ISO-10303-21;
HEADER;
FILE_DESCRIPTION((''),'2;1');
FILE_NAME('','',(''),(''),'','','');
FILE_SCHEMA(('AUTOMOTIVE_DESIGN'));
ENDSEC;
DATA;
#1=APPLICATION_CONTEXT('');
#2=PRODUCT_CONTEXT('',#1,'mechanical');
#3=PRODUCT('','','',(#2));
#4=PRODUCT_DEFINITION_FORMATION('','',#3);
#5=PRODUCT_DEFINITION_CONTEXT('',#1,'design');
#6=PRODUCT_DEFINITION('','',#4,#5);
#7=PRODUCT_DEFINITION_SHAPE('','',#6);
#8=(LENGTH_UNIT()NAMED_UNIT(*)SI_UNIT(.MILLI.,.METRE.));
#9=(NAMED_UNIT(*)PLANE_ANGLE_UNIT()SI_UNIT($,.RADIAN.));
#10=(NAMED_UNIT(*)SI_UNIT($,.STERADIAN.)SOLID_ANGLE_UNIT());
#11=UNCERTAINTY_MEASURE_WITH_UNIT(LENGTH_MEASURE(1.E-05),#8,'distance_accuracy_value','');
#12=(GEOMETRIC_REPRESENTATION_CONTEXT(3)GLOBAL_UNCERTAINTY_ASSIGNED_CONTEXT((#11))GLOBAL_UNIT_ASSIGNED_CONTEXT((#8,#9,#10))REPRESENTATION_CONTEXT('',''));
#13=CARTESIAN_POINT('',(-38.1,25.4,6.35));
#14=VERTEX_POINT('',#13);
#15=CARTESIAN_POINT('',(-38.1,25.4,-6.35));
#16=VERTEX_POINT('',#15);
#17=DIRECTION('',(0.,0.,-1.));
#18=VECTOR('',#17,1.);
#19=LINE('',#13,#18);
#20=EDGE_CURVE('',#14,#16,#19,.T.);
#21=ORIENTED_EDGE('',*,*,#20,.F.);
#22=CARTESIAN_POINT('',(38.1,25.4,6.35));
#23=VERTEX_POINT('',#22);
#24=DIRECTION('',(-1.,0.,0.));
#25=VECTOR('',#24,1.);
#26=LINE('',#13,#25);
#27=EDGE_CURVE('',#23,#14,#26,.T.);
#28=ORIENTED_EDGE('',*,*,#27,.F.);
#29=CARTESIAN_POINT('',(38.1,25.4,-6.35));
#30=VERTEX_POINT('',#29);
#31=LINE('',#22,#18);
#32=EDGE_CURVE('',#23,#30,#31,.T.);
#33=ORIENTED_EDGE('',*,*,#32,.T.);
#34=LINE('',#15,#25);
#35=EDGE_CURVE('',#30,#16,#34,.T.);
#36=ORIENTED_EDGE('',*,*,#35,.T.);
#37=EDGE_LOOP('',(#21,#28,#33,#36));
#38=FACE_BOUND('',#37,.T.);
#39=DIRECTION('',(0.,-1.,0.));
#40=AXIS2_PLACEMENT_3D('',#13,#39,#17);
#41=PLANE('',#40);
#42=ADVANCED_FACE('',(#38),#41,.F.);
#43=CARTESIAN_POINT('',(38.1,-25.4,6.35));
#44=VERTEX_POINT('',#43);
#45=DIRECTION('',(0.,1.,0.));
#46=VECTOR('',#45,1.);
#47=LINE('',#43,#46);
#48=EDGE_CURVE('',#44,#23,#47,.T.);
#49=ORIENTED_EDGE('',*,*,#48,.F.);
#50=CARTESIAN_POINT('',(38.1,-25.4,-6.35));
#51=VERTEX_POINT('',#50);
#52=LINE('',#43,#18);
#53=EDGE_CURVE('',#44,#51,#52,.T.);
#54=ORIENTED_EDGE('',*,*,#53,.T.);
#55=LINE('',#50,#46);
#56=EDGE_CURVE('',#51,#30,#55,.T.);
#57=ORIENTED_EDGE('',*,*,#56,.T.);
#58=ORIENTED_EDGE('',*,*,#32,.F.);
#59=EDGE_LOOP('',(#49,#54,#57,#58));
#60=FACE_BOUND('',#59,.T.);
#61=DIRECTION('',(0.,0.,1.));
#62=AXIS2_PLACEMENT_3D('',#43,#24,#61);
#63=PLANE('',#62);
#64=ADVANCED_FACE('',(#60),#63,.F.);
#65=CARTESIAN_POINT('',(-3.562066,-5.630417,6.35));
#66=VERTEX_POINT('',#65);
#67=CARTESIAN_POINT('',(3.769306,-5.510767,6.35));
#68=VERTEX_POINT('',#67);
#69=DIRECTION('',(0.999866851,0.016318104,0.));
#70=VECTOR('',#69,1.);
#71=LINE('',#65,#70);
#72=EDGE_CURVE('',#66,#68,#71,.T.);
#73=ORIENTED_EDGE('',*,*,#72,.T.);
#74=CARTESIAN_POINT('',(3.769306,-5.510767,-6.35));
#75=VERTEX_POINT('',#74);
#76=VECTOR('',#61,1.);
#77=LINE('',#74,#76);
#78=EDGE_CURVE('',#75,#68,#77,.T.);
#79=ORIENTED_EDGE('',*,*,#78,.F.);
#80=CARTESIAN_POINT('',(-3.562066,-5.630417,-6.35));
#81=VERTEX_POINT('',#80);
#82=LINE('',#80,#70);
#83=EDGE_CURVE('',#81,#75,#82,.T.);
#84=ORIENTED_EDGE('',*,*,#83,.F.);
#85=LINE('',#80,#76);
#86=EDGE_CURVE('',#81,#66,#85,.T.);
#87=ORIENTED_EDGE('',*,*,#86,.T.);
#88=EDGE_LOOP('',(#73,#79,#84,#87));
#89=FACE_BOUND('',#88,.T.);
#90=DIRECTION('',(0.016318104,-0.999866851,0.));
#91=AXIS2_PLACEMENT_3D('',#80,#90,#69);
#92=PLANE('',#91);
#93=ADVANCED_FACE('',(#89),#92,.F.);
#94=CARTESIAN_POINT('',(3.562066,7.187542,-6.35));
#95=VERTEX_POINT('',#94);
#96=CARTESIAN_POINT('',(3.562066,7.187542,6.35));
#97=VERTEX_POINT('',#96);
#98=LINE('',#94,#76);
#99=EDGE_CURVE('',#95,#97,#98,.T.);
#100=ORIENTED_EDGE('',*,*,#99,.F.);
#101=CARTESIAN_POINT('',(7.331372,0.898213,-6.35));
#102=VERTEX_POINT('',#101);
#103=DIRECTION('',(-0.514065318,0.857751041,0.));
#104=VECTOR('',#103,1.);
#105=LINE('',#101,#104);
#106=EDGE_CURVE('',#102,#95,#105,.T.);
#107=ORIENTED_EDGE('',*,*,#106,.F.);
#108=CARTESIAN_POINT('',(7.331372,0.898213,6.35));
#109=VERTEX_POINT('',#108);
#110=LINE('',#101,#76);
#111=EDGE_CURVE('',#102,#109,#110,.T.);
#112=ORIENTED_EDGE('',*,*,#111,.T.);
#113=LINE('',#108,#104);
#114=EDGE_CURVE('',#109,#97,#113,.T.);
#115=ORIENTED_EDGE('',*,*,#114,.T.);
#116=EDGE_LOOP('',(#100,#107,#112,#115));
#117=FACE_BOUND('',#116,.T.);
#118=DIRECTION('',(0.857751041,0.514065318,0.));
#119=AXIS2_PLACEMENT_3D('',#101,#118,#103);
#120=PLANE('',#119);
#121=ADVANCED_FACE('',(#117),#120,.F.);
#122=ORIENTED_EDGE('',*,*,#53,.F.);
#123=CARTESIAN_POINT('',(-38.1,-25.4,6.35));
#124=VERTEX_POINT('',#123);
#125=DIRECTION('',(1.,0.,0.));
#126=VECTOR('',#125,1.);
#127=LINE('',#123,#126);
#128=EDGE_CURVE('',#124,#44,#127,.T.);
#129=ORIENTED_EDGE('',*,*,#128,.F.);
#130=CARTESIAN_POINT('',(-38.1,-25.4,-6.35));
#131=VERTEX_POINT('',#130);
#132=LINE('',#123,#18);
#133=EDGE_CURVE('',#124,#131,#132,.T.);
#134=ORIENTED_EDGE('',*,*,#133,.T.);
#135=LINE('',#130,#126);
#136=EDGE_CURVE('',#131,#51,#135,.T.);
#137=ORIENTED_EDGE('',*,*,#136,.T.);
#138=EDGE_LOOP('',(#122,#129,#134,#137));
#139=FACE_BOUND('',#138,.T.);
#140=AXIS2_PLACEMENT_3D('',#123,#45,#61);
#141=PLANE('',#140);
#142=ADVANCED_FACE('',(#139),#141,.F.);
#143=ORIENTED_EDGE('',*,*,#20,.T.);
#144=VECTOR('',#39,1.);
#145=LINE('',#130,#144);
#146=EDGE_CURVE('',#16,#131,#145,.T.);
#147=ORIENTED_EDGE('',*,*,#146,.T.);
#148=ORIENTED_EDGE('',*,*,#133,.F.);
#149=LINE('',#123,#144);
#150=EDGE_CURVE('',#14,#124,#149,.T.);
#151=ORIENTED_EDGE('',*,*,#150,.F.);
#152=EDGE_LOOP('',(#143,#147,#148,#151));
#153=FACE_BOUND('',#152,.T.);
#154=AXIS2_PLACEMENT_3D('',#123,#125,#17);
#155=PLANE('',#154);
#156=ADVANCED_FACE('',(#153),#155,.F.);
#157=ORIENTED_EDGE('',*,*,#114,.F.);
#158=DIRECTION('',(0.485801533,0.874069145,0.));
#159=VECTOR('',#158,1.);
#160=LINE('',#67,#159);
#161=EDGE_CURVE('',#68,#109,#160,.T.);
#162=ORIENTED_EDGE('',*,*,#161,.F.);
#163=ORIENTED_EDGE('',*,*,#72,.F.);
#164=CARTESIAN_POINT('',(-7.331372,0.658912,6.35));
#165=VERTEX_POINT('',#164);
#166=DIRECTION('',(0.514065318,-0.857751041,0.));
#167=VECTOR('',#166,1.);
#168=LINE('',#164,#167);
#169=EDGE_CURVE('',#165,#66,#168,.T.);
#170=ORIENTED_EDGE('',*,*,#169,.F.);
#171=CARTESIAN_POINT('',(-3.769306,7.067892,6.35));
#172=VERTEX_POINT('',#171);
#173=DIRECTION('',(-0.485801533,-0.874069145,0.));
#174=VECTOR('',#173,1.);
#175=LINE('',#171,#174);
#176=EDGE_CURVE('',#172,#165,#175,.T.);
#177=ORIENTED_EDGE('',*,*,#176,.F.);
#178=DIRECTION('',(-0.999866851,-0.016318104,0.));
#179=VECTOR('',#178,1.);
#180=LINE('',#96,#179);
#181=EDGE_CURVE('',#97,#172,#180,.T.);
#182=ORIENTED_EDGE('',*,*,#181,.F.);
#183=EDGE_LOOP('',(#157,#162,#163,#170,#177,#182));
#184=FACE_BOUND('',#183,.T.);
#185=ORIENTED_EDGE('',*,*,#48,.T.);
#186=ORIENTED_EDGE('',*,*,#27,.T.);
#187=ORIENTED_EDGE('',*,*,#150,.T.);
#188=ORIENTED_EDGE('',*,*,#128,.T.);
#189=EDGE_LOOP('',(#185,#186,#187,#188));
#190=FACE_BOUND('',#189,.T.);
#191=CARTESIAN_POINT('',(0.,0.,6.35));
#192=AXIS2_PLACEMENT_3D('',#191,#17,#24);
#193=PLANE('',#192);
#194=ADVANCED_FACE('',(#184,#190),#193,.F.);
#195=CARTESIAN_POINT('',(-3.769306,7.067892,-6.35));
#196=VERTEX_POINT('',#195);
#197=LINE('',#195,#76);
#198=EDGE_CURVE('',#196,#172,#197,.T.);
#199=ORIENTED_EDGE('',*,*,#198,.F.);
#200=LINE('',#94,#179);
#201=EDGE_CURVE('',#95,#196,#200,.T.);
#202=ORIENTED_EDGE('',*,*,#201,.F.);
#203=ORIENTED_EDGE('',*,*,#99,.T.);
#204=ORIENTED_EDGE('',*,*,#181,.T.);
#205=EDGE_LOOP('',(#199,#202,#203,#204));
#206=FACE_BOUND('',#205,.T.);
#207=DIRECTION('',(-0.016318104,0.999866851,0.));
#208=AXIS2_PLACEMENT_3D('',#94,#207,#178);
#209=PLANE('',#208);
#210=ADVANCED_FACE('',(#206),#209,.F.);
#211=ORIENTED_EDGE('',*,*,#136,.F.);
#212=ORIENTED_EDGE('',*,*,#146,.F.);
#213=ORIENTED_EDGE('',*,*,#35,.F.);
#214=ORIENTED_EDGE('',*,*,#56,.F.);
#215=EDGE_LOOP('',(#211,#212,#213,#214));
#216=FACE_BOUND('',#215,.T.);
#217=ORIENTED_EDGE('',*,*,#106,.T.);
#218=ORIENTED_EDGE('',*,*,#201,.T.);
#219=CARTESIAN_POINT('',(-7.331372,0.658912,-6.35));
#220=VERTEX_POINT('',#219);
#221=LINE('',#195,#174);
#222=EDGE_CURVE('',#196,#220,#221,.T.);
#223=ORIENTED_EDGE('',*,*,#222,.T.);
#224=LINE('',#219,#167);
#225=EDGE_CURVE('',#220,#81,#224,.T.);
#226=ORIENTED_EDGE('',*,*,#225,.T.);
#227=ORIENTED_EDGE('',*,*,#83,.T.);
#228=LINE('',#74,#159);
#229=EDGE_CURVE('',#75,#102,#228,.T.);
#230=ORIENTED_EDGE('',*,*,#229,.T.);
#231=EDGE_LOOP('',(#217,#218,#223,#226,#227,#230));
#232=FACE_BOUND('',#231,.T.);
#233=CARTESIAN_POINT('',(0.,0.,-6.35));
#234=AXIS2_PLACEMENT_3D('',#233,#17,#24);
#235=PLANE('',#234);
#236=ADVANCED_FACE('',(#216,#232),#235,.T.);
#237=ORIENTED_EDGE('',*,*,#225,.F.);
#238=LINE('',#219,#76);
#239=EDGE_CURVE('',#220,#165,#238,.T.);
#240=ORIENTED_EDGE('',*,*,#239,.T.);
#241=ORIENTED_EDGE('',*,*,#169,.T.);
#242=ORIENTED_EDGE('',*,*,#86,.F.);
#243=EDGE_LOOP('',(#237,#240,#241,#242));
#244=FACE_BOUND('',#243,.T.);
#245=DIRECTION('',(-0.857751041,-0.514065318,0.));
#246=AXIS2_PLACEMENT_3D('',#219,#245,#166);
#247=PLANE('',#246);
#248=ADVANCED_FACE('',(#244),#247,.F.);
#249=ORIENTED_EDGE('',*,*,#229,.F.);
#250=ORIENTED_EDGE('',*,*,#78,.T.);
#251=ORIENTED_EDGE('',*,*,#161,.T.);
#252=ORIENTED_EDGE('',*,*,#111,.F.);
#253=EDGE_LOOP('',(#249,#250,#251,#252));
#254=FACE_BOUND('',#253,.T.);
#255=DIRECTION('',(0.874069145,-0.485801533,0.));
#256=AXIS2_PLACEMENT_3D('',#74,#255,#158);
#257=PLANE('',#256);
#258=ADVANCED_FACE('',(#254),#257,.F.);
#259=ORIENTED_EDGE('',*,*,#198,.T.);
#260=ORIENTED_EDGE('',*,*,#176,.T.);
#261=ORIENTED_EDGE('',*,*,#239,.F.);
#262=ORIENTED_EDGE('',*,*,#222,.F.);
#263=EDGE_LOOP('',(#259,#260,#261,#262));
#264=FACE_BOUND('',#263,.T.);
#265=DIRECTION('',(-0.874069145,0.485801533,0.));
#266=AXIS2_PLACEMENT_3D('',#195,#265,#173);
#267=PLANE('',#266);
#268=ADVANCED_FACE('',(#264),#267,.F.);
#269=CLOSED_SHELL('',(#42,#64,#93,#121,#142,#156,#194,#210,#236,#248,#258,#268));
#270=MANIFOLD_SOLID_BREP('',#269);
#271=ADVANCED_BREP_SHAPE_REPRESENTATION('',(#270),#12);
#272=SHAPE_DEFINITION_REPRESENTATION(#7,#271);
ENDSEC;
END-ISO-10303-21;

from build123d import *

# Parameters (mm, degrees)
SKETCH1_W           = 76.2
SKETCH1_H           = 50.8
BOSS_EXTRUDE1_DEPTH = 6.35
CUT_EXTRUDE1_DEPTH  = 13.7


with BuildPart() as part:
    # Sketch1 → Boss-Extrude1 (new body, symmetric)
    with BuildSketch(Plane.XY):
        Rectangle(SKETCH1_W, SKETCH1_H)
    extrude(amount=BOSS_EXTRUDE1_DEPTH, both=True)

    # Sketch3 → Cut-Extrude1 (cut, through all)
    with BuildSketch(Plane.XY.offset(6.35)):
        Polygon((-3.5620661, -5.630417032), (3.769306023, -5.510767006), (7.331372123, 0.89821251), (3.5620661, 7.187542), (-3.769306023, 7.067891975), (-7.331372123, 0.658912459), align=None)
    extrude(amount=-CUT_EXTRUDE1_DEPTH, mode=Mode.SUBTRACT)


solid = part.part
